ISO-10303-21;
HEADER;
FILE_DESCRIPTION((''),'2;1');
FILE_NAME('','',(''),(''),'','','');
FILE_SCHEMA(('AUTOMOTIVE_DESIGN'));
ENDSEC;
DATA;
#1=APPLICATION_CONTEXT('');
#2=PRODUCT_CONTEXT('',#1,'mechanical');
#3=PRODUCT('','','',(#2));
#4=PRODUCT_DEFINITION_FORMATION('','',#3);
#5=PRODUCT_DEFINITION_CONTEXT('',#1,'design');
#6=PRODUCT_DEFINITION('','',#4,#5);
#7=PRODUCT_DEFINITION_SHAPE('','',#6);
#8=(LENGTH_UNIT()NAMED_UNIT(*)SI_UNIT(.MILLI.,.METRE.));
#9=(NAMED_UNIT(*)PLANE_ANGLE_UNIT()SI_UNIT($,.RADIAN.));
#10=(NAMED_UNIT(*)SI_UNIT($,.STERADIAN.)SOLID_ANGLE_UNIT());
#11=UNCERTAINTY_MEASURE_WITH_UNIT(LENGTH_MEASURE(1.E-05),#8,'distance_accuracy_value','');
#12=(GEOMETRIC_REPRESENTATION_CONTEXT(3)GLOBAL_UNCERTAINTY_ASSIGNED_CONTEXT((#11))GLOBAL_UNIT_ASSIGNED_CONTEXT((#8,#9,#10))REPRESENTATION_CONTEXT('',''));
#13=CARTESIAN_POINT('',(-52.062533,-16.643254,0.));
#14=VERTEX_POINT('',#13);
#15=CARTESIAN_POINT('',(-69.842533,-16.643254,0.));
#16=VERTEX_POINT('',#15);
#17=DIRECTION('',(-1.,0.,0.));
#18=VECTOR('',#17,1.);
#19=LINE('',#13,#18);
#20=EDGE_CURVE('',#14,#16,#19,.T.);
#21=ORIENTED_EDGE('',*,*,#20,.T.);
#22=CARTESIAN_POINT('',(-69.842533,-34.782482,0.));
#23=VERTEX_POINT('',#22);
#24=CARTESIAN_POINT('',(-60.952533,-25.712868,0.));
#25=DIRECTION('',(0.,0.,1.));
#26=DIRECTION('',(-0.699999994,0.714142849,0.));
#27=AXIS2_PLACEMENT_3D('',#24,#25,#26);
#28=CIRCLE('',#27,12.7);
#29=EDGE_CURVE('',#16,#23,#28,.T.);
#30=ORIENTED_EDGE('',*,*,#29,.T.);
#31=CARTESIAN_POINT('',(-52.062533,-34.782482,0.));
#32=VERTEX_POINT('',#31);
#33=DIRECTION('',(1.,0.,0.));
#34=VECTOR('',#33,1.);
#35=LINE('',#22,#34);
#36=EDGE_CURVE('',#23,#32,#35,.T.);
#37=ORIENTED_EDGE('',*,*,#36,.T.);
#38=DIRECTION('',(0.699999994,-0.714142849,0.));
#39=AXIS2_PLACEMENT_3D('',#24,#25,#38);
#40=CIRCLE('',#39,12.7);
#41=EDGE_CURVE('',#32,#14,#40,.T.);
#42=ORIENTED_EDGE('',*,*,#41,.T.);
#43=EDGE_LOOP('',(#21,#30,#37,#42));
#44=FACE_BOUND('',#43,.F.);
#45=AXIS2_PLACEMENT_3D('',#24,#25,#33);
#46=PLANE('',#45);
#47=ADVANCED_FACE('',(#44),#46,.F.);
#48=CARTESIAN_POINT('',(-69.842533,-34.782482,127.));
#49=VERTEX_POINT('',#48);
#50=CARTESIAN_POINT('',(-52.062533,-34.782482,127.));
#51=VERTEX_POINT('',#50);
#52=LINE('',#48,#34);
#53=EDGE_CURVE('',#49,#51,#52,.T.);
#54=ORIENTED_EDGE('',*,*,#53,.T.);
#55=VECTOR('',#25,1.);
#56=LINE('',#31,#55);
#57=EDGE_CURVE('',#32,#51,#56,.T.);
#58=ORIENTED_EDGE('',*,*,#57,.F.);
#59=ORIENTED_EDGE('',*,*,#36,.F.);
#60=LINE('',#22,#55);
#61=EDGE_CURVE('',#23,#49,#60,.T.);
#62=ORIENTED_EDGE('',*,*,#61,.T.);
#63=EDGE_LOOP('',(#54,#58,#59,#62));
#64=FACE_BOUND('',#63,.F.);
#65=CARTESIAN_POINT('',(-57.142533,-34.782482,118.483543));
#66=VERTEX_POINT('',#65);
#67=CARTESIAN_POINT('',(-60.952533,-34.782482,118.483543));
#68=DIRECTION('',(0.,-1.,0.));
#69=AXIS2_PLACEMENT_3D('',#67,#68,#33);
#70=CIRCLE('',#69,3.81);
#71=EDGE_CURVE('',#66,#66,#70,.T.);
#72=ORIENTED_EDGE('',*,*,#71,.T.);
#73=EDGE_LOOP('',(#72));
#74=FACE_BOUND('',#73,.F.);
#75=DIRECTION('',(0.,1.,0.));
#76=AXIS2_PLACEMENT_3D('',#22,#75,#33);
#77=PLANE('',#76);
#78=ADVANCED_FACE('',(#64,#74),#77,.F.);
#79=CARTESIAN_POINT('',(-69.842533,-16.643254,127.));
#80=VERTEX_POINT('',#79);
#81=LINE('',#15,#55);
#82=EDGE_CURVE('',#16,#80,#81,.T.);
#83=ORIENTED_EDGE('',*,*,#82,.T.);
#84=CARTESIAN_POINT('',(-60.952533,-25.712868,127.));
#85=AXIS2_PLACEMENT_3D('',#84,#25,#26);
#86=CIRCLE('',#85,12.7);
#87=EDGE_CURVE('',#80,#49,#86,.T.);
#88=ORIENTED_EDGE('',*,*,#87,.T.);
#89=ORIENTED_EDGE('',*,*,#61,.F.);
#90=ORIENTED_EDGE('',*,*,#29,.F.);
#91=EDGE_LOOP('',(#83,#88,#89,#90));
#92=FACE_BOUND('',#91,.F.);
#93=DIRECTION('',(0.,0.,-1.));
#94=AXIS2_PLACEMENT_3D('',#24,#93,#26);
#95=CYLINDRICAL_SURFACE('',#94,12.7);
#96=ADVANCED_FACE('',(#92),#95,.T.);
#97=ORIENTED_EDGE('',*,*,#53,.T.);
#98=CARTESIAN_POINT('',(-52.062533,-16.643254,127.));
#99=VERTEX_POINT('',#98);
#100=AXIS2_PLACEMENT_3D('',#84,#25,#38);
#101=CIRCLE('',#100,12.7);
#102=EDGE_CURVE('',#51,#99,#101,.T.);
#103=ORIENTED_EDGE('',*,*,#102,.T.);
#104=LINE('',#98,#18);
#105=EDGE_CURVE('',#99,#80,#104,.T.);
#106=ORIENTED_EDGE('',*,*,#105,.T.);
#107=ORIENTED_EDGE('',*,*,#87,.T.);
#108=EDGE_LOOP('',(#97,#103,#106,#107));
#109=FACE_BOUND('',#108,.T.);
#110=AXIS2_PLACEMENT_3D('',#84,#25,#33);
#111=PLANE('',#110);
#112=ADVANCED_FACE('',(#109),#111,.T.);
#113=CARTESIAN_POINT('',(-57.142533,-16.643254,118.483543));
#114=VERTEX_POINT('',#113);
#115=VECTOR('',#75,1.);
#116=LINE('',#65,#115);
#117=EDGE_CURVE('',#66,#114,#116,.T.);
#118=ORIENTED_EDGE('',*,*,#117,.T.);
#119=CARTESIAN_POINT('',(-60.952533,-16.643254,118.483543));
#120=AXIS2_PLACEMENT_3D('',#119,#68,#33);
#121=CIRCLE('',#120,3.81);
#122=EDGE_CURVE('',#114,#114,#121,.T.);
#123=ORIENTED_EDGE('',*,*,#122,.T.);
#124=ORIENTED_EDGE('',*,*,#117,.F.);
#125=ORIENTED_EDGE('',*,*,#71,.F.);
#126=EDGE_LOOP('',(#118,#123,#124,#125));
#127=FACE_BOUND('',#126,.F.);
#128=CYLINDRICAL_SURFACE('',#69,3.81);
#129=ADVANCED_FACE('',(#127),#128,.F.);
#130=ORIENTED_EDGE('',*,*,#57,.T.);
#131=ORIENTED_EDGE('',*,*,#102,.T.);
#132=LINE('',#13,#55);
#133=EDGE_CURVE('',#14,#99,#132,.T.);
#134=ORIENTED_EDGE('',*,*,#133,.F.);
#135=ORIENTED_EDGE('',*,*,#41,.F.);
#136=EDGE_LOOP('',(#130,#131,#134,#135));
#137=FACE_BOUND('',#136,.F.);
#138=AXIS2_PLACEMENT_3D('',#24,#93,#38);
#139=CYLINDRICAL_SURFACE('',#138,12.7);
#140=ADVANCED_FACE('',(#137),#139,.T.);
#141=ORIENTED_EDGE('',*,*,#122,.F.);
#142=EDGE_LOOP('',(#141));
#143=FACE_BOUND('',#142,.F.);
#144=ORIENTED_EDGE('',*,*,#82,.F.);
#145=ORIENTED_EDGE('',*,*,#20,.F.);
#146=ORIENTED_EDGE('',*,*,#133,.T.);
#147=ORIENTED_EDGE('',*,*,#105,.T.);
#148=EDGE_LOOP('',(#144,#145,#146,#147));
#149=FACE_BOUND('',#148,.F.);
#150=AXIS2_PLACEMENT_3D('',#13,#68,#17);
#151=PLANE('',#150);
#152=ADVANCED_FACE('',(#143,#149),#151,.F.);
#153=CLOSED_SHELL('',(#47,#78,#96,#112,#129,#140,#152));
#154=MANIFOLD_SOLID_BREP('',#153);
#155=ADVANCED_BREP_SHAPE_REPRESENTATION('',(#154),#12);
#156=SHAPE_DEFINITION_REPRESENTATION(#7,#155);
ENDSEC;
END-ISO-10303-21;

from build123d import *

# Parameters (mm, degrees)
F1_DEPTH = 127
F2_R     = 3.81
F3_DEPTH = 25.4


with BuildPart() as f1:
    # F0 (on Top) → F1 (new body)
    with BuildSketch(Plane.XY):
        with BuildLine():
            Line((-69.842533, -34.782482), (-52.062533, -34.782482))
            ThreePointArc((-52.062533, -34.782482), (-48.252533, -25.712868), (-52.062533, -16.643254))
            Line((-52.062533, -16.643254), (-69.842533, -16.643254))
            ThreePointArc((-69.842533, -16.643254), (-73.652533, -25.712868), (-69.842533, -34.782482))
        make_face()
    extrude(amount=F1_DEPTH)

    # F2 (on face) → F3 (cut)
    with BuildSketch(Plane.XZ.offset(34.782482)):
        with Locations((-60.952533, 118.483543)):
            Circle(F2_R)
    extrude(amount=-F3_DEPTH, mode=Mode.SUBTRACT)


solid = f1.part
